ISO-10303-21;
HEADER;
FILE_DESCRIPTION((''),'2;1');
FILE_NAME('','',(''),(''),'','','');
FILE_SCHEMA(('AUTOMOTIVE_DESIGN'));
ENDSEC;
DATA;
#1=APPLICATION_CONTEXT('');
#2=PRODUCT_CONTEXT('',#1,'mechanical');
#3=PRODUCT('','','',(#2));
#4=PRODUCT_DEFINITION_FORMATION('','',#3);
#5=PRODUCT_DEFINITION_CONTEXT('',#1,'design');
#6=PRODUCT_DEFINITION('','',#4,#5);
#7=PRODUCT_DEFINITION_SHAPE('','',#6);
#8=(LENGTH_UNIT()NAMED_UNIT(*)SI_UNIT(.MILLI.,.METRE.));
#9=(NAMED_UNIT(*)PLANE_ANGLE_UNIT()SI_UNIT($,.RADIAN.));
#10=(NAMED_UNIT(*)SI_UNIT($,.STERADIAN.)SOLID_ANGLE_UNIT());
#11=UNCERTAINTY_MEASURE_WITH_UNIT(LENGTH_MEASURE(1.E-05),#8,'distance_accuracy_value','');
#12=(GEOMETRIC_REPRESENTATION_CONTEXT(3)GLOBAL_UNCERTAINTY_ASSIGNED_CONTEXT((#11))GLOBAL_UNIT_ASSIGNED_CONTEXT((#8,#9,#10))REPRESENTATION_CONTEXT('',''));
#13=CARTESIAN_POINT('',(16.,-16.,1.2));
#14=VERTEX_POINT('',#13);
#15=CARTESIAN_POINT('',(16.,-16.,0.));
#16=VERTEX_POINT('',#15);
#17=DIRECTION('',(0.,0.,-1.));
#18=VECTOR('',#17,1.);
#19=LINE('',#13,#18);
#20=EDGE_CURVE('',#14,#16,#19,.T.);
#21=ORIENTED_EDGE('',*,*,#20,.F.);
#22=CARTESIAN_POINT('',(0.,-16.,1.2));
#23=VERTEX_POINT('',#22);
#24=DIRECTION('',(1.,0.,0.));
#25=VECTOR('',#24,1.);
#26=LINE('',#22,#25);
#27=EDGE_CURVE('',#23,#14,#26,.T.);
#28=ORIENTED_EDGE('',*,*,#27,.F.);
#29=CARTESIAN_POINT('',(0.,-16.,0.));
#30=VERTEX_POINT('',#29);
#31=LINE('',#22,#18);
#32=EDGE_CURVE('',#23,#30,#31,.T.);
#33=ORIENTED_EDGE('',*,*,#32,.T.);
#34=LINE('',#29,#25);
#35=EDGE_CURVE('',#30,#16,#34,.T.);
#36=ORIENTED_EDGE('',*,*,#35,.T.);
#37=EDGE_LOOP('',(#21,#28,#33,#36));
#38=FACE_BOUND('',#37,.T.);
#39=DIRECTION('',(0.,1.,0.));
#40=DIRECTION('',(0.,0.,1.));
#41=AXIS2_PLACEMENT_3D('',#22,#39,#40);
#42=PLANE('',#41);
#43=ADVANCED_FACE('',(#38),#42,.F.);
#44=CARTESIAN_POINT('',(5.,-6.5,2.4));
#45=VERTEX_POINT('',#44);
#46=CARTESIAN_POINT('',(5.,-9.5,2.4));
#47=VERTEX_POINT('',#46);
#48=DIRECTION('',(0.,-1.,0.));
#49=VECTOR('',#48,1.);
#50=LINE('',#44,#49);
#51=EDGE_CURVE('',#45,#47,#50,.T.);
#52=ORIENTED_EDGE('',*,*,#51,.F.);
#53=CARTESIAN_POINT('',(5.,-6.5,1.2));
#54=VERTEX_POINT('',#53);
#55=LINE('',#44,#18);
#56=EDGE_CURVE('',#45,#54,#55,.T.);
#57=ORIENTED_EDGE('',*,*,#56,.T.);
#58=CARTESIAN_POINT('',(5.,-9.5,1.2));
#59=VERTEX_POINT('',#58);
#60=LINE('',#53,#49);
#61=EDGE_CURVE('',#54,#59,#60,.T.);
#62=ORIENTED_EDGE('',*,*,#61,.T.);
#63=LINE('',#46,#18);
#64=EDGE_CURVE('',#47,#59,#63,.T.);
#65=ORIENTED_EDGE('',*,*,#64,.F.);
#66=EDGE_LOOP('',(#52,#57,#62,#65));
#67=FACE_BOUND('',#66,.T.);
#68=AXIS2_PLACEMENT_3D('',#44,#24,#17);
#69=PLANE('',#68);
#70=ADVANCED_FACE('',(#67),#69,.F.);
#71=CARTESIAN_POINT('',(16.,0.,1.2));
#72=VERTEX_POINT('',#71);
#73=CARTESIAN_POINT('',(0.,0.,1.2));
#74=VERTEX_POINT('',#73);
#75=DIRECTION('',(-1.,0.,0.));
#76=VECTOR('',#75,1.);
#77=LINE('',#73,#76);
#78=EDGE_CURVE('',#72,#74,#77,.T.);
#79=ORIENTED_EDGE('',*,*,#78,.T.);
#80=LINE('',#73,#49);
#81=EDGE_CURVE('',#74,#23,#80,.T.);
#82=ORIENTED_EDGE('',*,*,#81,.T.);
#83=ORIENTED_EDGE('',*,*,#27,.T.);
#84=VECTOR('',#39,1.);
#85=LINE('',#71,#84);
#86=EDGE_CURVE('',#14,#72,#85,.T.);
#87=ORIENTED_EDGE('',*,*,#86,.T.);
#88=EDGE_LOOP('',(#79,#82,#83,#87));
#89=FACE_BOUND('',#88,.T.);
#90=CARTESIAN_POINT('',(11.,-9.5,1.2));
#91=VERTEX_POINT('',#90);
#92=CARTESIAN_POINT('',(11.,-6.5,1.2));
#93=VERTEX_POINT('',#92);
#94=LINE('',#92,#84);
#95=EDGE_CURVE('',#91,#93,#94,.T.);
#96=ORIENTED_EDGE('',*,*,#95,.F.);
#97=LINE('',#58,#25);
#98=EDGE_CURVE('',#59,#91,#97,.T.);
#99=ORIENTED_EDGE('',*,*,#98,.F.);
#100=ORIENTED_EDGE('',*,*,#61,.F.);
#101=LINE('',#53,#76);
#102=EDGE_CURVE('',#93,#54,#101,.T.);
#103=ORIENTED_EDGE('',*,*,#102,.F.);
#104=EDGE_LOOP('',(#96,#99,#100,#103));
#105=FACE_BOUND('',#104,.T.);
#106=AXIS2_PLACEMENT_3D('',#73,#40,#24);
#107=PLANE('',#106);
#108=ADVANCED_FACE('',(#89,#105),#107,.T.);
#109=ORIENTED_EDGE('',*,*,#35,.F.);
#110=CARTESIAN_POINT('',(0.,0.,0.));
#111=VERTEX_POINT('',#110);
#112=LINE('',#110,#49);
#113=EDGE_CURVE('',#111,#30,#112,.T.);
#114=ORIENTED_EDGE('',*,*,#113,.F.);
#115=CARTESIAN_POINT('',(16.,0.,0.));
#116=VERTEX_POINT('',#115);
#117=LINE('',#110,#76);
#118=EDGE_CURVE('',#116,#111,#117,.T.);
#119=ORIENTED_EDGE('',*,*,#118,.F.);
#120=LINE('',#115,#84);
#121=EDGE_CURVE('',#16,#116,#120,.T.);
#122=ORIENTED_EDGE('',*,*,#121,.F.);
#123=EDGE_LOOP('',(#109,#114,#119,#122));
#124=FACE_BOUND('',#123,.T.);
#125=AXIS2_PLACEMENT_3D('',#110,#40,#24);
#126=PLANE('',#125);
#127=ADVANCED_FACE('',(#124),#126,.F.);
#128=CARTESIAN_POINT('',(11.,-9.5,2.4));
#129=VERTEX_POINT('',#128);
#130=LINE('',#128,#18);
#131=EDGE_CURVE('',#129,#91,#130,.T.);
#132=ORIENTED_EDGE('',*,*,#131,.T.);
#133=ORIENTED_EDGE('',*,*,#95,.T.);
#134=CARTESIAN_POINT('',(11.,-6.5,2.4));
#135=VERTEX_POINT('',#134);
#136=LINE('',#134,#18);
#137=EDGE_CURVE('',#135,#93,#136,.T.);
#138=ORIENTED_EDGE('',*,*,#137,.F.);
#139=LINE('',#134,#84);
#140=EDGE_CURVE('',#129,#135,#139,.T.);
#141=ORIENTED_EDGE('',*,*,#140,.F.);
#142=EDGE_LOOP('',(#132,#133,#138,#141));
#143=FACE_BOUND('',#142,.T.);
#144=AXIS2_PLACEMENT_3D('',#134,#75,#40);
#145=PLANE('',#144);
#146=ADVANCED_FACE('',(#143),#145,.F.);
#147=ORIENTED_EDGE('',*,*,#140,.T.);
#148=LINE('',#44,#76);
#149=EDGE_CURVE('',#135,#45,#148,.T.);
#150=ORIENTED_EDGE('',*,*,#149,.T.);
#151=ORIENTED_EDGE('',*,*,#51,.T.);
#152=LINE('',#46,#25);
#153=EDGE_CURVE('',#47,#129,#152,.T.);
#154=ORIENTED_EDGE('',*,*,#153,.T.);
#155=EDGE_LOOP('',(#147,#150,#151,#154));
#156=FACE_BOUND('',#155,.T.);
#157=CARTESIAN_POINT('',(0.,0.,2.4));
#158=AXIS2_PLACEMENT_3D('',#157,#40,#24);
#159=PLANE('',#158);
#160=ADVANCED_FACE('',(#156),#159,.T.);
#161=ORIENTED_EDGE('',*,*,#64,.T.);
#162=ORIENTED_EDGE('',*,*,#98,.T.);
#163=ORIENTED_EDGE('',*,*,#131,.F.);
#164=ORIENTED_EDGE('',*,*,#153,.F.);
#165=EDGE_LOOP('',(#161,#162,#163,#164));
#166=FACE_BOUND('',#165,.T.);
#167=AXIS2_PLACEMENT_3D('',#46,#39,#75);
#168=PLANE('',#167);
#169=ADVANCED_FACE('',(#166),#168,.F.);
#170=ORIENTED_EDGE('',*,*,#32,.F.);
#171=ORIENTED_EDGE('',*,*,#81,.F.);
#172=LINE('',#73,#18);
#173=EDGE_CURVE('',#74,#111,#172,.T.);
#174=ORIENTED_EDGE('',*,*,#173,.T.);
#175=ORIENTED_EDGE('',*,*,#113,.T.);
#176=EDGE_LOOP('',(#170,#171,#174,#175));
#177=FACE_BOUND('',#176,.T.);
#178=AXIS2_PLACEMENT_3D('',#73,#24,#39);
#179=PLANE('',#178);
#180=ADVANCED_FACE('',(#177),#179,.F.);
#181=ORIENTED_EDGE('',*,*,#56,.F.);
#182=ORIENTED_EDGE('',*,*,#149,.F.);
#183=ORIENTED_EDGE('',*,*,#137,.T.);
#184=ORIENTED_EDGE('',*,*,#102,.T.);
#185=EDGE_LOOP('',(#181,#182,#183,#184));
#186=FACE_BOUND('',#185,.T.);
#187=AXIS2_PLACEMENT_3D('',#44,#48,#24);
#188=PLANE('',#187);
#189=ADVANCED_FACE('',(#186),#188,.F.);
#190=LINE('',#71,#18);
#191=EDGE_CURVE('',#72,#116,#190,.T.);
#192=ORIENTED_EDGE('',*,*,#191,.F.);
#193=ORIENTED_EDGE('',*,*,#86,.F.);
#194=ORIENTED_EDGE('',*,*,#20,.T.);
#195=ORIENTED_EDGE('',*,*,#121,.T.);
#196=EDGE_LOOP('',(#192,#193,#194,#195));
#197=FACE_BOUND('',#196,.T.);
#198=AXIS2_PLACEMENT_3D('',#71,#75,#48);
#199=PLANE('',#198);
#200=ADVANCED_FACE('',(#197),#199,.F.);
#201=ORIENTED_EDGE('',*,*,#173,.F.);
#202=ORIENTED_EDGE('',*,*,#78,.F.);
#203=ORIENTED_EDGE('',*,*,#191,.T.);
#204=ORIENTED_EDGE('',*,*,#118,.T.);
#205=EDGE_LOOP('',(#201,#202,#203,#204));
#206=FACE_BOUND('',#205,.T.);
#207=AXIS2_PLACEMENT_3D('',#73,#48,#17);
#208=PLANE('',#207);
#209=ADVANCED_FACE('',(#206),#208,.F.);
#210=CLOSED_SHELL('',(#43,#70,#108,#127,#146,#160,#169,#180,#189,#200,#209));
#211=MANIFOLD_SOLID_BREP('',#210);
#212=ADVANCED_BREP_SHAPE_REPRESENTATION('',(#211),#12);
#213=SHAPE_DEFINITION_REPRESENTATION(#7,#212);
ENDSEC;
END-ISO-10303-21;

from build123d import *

# Parameters (mm, degrees)
SKETCH1_W           = 16
SKETCH1_H           = 16
BOSS_EXTRUDE1_DEPTH = 1.2
SKETCH2_W           = 6
SKETCH2_H           = 3
BOSS_EXTRUDE2_DEPTH = 1.2


with BuildPart() as part:
    # Sketch1 → Boss-Extrude1 (new body)
    with BuildSketch(Plane.XY):
        with Locations((8, -8)):
            Rectangle(SKETCH1_W, SKETCH1_H)
    extrude(amount=BOSS_EXTRUDE1_DEPTH)

    # Sketch2 → Boss-Extrude2 (add)
    with BuildSketch(Plane.XY.offset(1.2)):
        with Locations((8, -8)):
            Rectangle(SKETCH2_W, SKETCH2_H)
    extrude(amount=BOSS_EXTRUDE2_DEPTH)


solid = part.part
